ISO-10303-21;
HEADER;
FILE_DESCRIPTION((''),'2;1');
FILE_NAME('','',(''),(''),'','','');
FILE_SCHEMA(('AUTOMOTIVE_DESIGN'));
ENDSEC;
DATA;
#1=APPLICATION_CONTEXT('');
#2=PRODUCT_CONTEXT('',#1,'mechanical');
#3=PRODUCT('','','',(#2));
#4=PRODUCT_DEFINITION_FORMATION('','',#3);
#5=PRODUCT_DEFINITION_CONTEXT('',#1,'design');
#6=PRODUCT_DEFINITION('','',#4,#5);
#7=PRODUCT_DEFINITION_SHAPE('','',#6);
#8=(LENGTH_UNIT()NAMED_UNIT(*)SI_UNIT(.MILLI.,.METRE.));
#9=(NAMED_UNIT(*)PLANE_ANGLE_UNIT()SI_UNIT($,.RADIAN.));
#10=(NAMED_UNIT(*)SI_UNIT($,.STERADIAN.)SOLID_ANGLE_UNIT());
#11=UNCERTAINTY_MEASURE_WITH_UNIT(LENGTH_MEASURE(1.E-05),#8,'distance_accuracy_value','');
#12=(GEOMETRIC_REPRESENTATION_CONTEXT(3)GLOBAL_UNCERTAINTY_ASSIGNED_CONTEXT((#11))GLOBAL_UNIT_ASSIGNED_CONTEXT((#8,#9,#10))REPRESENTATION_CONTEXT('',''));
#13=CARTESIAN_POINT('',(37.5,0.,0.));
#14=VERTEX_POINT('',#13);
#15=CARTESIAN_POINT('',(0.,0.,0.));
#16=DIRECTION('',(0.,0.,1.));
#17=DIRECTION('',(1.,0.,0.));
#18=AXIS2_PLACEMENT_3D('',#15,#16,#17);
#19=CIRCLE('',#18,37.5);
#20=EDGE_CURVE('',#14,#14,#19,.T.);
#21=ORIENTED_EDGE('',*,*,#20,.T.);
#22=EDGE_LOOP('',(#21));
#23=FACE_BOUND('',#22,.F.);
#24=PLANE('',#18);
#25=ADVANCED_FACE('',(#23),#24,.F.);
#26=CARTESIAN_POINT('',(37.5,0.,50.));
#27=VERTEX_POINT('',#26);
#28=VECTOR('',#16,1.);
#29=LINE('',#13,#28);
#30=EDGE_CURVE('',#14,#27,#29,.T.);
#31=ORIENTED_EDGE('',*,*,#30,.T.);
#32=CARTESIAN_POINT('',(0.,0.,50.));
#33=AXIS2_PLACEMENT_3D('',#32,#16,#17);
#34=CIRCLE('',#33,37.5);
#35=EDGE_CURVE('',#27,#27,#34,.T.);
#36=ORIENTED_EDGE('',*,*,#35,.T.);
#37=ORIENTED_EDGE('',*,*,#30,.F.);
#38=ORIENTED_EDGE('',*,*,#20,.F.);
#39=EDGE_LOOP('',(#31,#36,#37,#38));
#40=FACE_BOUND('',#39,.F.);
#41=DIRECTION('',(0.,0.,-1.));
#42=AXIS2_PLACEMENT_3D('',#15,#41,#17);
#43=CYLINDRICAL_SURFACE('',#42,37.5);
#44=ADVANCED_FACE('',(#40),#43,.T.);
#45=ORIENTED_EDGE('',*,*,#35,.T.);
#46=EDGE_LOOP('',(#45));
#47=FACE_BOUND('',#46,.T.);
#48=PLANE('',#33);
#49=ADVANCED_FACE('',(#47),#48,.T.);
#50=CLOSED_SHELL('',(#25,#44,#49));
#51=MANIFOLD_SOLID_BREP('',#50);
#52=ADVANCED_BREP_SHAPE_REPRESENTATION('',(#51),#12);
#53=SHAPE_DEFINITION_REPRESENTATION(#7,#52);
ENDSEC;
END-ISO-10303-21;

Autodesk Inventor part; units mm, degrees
ref_plane "YZ Plane" through (0, 0, 0) normal (1, 0, 0) x (0, 1, 0)
ref_plane "XZ Plane" through (0, 0, 0) normal (0, 1, 0) x (-1, 0, 0)
ref_plane "XY Plane" through (0, 0, 0) normal (0, 0, 1) x (1, 0, 0)
sketch "Sketch1" plane through (0, 0, 0) normal (0, 0, 1) x (1, 0, 0)
  circle A0 centre (0, 0) radius 37.5
  dimension "d0" = 75
extrude "Extrusion1" add sketch "Sketch1" along normal blind 50
properties part number "Shock cord" material "Shock Cord"
